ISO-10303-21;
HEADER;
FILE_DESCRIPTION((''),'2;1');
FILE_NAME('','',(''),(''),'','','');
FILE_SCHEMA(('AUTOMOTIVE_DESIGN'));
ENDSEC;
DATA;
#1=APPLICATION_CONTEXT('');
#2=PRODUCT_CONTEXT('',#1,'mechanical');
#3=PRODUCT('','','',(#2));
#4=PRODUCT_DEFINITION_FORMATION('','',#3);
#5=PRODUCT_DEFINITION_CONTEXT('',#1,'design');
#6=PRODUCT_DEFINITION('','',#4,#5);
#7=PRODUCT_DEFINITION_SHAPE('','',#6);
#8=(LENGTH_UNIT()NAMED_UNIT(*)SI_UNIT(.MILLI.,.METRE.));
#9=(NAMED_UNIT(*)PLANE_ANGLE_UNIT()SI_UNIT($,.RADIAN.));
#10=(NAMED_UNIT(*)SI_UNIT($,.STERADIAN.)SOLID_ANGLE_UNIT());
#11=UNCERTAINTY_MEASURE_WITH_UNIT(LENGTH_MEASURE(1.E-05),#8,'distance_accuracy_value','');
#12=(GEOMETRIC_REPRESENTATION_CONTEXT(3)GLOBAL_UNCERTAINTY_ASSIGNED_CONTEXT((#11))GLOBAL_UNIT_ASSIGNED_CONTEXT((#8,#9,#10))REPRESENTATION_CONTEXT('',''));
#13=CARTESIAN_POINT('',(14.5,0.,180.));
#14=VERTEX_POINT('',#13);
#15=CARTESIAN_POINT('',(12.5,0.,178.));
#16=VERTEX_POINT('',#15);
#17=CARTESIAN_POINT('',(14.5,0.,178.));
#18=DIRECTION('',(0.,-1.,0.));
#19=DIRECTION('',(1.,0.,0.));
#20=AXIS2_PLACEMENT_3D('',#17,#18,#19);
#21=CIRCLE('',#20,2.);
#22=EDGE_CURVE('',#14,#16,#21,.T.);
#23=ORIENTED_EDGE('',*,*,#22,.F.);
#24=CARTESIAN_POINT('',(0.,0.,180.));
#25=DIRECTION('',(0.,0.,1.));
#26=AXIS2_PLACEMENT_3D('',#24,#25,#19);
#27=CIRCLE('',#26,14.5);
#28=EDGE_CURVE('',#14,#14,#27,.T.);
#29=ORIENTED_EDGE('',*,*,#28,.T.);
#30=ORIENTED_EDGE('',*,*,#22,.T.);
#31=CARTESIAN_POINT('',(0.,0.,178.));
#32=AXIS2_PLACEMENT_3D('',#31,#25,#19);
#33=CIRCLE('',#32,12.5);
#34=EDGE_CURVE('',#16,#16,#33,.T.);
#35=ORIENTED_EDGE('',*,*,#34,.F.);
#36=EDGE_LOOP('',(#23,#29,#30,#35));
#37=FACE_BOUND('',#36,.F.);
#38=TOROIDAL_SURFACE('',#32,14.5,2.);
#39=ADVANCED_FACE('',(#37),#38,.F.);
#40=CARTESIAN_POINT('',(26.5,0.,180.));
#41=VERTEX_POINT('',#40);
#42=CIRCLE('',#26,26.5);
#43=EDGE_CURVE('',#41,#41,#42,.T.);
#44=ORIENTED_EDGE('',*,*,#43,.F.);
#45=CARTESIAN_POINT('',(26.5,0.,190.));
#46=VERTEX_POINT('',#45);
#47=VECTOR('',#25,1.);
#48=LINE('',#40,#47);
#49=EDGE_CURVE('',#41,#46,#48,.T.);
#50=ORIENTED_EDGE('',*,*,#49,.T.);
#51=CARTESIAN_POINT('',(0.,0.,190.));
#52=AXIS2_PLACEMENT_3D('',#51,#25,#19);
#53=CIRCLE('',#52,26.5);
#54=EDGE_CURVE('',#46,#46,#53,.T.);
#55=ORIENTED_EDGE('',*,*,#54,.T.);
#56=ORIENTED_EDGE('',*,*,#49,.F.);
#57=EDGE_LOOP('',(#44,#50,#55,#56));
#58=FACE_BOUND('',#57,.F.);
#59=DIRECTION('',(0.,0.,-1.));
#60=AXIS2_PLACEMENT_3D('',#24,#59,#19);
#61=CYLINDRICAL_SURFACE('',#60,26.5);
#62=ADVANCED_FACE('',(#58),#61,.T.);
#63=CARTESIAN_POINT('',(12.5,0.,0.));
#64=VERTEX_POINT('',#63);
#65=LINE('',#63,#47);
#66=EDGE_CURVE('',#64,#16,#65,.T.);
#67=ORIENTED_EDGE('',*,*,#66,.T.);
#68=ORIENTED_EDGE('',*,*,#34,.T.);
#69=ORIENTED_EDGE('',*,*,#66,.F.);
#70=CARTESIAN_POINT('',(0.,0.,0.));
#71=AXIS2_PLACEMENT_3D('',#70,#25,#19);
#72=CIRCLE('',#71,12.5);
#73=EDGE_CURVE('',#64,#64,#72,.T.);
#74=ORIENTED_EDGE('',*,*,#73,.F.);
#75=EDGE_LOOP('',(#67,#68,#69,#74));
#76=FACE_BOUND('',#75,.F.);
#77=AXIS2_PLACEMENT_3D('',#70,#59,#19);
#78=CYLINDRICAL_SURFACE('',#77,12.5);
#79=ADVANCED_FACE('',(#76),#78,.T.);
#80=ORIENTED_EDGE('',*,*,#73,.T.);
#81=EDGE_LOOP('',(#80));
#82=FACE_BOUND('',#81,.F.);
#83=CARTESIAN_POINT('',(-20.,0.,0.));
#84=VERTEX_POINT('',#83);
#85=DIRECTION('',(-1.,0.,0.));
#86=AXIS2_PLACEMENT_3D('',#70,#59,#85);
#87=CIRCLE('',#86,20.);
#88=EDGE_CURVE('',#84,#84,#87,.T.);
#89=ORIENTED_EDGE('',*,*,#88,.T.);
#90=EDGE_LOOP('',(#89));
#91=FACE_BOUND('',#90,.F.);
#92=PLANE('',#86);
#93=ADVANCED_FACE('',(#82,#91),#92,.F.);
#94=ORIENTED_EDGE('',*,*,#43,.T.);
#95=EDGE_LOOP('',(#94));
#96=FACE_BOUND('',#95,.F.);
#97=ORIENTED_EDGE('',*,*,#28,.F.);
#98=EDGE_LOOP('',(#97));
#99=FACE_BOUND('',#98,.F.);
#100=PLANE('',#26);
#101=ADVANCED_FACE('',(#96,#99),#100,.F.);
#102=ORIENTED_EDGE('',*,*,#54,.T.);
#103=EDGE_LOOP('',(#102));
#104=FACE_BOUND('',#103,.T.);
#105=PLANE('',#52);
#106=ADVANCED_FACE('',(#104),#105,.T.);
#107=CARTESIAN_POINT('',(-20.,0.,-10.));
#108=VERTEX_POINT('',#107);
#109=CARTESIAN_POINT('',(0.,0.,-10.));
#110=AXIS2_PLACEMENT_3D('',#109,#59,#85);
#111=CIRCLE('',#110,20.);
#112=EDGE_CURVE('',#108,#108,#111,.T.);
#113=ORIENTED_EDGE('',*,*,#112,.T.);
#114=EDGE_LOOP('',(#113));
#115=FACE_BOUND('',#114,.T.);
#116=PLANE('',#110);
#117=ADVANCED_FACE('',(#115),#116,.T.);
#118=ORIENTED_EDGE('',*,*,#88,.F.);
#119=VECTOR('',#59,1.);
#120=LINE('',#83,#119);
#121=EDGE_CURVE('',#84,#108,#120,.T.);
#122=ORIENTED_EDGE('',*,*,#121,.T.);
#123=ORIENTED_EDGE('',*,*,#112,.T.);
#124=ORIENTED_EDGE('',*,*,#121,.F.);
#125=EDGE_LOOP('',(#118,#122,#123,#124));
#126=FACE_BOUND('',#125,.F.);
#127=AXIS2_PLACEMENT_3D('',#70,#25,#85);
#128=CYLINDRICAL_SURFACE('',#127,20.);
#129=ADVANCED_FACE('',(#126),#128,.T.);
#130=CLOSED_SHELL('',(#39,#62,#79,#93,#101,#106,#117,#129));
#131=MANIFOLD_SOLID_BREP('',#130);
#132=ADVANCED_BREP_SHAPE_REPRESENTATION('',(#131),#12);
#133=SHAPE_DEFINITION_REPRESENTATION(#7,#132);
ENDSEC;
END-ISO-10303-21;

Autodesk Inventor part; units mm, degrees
ref_plane "YZ Plane" through (0, 0, 0) normal (1, 0, 0) x (0, 1, 0)
ref_plane "XZ Plane" through (0, 0, 0) normal (0, 1, 0) x (-1, 0, 0)
ref_plane "XY Plane" through (0, 0, 0) normal (0, 0, 1) x (1, 0, 0)
sketch "Sketch1" plane through (0, 0, 0) normal (0, 0, 1) x (1, 0, 0)
  circle A0 centre (0, 0) radius 12.5
  dimension "d0" = 25
extrude "Extrusion1" add sketch "Sketch1" along normal blind 180
sketch "Sketch2" plane through (0, 0, 180) normal (0, 0, 1) x (1, 0, 0)
  circle A0 centre (0, 0) radius 26.5
  dimension "d3" = 53
extrude "Extrusion2" add sketch "Sketch2" along normal blind 10
fillet "Fillet1" radius 2 1 edges at (-12.5, 0, 180)
sketch "Sketch3" plane through (0, 0, 0) normal (0, 0, -1) x (-1, 0, 0)
  circle A0 centre (0, 0) radius 20
  dimension "d7" = 40
extrude "Extrusion3" add sketch "Sketch3" along normal blind 10
properties part number "PISTON"
